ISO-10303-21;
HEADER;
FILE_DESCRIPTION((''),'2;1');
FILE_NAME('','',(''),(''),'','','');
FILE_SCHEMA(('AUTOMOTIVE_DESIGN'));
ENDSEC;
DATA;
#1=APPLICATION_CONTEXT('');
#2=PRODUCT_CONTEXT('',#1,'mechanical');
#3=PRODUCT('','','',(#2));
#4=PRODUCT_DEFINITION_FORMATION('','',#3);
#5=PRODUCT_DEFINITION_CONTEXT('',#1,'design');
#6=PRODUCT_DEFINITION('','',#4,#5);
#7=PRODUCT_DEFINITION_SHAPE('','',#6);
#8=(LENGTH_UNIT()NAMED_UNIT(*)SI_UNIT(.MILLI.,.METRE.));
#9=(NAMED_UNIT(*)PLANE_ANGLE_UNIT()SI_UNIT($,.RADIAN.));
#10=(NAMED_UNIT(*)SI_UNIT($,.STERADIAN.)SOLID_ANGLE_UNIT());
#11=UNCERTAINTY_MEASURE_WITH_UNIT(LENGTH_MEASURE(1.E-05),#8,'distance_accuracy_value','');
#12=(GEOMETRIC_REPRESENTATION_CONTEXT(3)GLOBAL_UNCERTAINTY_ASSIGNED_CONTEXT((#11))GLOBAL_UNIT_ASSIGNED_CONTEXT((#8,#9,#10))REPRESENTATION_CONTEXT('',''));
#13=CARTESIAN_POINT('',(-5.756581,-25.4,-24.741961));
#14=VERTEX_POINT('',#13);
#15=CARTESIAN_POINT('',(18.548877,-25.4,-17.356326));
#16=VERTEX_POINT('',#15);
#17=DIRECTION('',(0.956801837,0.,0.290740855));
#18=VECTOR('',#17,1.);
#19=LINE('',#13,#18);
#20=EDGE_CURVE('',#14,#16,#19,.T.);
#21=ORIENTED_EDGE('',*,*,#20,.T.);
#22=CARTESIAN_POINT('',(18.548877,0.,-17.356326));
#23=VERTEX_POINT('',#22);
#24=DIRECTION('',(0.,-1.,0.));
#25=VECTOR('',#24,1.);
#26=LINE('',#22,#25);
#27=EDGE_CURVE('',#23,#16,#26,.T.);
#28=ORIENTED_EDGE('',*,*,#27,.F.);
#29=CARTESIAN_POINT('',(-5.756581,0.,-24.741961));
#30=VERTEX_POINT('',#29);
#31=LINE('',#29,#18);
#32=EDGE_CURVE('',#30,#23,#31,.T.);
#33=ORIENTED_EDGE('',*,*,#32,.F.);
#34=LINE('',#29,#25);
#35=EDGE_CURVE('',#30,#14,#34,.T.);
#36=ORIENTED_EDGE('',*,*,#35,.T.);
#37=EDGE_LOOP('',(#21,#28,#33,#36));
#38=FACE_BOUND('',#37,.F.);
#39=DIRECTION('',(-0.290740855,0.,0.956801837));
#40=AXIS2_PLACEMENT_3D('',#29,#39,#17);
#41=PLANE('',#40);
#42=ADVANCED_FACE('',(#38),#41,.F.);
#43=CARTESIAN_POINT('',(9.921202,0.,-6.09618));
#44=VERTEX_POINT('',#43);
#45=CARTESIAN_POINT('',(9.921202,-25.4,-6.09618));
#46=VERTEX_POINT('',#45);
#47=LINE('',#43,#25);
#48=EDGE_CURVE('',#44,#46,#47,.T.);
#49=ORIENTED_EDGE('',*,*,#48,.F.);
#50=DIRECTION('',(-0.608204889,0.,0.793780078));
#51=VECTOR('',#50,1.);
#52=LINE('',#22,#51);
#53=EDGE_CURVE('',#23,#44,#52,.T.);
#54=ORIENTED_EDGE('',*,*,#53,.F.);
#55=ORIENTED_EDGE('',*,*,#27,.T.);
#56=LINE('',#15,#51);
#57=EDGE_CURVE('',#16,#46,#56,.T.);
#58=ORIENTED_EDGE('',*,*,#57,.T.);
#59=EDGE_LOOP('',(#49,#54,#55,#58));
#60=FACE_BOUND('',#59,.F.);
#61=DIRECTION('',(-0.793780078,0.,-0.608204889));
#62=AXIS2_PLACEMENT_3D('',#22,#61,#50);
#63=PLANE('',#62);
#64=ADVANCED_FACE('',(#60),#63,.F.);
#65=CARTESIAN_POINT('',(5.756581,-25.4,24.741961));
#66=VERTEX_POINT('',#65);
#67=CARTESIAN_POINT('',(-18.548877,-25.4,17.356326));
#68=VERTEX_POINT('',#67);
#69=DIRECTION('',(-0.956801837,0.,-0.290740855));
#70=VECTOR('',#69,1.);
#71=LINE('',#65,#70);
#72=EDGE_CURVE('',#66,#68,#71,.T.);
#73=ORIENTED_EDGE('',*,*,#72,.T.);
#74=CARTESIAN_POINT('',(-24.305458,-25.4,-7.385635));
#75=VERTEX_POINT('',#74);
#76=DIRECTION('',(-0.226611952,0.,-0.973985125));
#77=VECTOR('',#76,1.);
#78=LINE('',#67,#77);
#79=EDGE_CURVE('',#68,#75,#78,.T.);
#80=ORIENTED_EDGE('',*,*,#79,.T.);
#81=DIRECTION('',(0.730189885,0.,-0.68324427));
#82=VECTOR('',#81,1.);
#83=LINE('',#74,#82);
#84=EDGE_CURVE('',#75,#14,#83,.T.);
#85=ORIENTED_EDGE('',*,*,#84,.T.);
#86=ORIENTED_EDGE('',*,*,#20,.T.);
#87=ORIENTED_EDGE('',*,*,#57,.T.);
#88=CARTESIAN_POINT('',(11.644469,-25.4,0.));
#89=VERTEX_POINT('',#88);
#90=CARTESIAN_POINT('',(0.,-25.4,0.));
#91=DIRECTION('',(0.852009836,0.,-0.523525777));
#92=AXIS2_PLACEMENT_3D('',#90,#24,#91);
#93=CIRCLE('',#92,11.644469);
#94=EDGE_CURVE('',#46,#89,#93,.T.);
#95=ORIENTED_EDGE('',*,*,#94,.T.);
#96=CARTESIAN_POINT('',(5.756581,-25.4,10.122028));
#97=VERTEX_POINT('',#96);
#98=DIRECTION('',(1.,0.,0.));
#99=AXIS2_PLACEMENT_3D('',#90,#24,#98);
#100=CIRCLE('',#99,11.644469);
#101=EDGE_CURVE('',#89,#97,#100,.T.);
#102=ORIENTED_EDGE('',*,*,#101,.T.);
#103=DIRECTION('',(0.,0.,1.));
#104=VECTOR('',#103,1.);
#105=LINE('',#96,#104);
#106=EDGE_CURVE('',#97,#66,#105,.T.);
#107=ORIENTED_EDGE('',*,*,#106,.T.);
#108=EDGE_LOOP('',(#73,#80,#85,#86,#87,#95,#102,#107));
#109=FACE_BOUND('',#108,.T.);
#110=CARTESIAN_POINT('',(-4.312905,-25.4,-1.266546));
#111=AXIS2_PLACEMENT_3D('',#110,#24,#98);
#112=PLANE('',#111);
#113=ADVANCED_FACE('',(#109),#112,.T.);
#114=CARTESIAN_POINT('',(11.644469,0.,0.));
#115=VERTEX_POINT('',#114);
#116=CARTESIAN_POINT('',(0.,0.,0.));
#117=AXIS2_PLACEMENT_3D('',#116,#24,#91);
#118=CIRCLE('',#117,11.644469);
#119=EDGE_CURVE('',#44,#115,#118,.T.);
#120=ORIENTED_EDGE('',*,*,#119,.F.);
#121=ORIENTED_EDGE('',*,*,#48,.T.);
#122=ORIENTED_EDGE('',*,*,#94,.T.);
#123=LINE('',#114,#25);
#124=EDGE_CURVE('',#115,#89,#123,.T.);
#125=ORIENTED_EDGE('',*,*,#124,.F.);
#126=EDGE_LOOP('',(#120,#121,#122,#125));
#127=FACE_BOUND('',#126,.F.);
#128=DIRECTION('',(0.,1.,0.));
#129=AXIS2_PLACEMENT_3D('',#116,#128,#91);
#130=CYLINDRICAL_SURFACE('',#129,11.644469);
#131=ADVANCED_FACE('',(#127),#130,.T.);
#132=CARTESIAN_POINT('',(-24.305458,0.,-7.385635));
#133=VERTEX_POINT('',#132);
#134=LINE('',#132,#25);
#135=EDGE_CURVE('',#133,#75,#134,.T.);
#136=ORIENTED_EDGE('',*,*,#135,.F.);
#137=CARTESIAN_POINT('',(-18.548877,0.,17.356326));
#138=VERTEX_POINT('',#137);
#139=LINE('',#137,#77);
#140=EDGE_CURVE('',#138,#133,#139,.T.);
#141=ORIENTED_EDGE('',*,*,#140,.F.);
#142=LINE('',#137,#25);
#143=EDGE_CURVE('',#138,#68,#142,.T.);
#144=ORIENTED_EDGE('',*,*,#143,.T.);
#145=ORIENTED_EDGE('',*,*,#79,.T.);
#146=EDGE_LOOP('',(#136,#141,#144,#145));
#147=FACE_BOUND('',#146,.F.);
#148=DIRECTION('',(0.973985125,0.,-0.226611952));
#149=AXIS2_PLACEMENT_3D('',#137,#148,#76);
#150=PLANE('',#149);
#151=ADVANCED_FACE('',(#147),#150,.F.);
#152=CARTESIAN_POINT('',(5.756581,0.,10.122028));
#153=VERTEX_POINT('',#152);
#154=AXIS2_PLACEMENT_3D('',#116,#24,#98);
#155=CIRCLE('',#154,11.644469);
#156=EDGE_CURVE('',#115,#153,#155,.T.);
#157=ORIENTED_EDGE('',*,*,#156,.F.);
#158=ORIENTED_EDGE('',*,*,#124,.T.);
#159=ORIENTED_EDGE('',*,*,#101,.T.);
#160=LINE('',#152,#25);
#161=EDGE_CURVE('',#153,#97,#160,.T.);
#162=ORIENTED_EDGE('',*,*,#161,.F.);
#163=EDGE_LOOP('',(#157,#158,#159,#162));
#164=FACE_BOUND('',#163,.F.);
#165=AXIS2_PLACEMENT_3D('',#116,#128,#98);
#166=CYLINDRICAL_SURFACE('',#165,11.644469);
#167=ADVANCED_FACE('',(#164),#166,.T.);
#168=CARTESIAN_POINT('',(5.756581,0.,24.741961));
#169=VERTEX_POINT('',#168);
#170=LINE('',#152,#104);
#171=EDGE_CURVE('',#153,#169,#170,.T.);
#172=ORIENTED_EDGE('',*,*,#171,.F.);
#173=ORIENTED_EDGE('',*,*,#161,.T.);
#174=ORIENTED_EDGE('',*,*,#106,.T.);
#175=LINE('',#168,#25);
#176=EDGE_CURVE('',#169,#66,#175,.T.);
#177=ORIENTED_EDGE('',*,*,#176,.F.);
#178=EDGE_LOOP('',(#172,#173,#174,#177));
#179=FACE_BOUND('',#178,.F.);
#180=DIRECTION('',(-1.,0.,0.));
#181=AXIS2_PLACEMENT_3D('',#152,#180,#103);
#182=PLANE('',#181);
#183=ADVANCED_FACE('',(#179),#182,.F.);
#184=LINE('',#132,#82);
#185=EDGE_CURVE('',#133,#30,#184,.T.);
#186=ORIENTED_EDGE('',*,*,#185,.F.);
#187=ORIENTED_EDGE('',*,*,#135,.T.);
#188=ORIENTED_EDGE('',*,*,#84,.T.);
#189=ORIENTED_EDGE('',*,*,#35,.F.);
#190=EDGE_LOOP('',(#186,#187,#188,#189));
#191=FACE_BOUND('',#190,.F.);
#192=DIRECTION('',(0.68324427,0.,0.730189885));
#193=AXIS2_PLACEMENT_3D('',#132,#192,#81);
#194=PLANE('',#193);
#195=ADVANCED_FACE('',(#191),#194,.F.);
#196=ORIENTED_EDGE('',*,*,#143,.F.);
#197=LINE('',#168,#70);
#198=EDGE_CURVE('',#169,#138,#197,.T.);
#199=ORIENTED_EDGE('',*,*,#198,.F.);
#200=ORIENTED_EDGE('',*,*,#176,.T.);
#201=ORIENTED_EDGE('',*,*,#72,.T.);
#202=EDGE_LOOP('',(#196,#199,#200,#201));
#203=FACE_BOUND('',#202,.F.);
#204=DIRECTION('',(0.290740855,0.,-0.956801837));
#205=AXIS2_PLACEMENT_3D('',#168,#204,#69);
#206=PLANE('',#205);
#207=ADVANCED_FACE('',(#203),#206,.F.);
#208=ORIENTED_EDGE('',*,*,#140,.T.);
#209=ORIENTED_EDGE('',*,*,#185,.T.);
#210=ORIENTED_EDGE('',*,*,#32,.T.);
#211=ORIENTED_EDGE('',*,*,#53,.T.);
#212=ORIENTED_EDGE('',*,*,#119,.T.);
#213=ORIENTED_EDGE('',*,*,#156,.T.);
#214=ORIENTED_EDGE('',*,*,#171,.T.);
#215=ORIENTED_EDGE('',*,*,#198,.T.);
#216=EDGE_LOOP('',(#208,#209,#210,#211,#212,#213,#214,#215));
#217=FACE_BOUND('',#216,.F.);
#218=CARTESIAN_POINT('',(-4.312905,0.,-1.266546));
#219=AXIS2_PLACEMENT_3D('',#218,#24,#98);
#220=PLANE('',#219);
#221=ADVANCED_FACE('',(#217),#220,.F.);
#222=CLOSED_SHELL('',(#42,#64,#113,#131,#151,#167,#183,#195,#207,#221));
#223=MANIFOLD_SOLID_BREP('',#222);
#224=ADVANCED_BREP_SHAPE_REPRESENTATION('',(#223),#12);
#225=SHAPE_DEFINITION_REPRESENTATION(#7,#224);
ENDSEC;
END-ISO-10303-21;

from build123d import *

# Parameters (mm, degrees)
F1_DEPTH = 25.4


with BuildPart() as f1:
    # F0 (on Front) → F1 (new body)
    with BuildSketch(Plane.XZ):
        with BuildLine():
            Line((5.7565809201, 24.7419614515), (-18.5488766964, 17.3563260415))
            Line((-18.5488766964, 17.3563260415), (-24.3054576165, -7.38563541))
            Line((-24.3054576165, -7.38563541), (-5.7565809201, -24.7419614515))
            Line((-5.7565809201, -24.7419614515), (18.5488766964, -17.3563260415))
            Line((18.5488766964, -17.3563260415), (9.9212024357, -6.0961798708))
            ThreePointArc((9.9212024357, -6.0961798708), (-11.27855426, -2.8961837982), (5.7565809201, 10.1220276081))
            Line((5.7565809201, 10.1220276081), (5.7565809201, 24.7419614515))
        make_face()
        with BuildLine():
            ThreePointArc((11.6444693648, 0), (10.0654358316, 5.8549695395), (5.7565809201, 10.1220276081))
            Line((5.7565809201, 10.1220276081), (5.7565809201, -0.6608509982))
            Line((5.7565809201, -0.6608509982), (9.9212024357, -6.0961798708))
            ThreePointArc((9.9212024357, -6.0961798708), (11.2053738138, -3.1675328698), (11.6444693648, 0))
        make_face()
        with BuildLine():
            Line((5.7565809201, -0.6608509982), (5.7565809201, 10.1220276081))
            ThreePointArc((5.7565809201, 10.1220276081), (-11.27855426, -2.8961837982), (9.9212024357, -6.0961798708))
            Line((9.9212024357, -6.0961798708), (5.7565809201, -0.6608509982))
        make_face()
    extrude(amount=F1_DEPTH)


solid = f1.part
